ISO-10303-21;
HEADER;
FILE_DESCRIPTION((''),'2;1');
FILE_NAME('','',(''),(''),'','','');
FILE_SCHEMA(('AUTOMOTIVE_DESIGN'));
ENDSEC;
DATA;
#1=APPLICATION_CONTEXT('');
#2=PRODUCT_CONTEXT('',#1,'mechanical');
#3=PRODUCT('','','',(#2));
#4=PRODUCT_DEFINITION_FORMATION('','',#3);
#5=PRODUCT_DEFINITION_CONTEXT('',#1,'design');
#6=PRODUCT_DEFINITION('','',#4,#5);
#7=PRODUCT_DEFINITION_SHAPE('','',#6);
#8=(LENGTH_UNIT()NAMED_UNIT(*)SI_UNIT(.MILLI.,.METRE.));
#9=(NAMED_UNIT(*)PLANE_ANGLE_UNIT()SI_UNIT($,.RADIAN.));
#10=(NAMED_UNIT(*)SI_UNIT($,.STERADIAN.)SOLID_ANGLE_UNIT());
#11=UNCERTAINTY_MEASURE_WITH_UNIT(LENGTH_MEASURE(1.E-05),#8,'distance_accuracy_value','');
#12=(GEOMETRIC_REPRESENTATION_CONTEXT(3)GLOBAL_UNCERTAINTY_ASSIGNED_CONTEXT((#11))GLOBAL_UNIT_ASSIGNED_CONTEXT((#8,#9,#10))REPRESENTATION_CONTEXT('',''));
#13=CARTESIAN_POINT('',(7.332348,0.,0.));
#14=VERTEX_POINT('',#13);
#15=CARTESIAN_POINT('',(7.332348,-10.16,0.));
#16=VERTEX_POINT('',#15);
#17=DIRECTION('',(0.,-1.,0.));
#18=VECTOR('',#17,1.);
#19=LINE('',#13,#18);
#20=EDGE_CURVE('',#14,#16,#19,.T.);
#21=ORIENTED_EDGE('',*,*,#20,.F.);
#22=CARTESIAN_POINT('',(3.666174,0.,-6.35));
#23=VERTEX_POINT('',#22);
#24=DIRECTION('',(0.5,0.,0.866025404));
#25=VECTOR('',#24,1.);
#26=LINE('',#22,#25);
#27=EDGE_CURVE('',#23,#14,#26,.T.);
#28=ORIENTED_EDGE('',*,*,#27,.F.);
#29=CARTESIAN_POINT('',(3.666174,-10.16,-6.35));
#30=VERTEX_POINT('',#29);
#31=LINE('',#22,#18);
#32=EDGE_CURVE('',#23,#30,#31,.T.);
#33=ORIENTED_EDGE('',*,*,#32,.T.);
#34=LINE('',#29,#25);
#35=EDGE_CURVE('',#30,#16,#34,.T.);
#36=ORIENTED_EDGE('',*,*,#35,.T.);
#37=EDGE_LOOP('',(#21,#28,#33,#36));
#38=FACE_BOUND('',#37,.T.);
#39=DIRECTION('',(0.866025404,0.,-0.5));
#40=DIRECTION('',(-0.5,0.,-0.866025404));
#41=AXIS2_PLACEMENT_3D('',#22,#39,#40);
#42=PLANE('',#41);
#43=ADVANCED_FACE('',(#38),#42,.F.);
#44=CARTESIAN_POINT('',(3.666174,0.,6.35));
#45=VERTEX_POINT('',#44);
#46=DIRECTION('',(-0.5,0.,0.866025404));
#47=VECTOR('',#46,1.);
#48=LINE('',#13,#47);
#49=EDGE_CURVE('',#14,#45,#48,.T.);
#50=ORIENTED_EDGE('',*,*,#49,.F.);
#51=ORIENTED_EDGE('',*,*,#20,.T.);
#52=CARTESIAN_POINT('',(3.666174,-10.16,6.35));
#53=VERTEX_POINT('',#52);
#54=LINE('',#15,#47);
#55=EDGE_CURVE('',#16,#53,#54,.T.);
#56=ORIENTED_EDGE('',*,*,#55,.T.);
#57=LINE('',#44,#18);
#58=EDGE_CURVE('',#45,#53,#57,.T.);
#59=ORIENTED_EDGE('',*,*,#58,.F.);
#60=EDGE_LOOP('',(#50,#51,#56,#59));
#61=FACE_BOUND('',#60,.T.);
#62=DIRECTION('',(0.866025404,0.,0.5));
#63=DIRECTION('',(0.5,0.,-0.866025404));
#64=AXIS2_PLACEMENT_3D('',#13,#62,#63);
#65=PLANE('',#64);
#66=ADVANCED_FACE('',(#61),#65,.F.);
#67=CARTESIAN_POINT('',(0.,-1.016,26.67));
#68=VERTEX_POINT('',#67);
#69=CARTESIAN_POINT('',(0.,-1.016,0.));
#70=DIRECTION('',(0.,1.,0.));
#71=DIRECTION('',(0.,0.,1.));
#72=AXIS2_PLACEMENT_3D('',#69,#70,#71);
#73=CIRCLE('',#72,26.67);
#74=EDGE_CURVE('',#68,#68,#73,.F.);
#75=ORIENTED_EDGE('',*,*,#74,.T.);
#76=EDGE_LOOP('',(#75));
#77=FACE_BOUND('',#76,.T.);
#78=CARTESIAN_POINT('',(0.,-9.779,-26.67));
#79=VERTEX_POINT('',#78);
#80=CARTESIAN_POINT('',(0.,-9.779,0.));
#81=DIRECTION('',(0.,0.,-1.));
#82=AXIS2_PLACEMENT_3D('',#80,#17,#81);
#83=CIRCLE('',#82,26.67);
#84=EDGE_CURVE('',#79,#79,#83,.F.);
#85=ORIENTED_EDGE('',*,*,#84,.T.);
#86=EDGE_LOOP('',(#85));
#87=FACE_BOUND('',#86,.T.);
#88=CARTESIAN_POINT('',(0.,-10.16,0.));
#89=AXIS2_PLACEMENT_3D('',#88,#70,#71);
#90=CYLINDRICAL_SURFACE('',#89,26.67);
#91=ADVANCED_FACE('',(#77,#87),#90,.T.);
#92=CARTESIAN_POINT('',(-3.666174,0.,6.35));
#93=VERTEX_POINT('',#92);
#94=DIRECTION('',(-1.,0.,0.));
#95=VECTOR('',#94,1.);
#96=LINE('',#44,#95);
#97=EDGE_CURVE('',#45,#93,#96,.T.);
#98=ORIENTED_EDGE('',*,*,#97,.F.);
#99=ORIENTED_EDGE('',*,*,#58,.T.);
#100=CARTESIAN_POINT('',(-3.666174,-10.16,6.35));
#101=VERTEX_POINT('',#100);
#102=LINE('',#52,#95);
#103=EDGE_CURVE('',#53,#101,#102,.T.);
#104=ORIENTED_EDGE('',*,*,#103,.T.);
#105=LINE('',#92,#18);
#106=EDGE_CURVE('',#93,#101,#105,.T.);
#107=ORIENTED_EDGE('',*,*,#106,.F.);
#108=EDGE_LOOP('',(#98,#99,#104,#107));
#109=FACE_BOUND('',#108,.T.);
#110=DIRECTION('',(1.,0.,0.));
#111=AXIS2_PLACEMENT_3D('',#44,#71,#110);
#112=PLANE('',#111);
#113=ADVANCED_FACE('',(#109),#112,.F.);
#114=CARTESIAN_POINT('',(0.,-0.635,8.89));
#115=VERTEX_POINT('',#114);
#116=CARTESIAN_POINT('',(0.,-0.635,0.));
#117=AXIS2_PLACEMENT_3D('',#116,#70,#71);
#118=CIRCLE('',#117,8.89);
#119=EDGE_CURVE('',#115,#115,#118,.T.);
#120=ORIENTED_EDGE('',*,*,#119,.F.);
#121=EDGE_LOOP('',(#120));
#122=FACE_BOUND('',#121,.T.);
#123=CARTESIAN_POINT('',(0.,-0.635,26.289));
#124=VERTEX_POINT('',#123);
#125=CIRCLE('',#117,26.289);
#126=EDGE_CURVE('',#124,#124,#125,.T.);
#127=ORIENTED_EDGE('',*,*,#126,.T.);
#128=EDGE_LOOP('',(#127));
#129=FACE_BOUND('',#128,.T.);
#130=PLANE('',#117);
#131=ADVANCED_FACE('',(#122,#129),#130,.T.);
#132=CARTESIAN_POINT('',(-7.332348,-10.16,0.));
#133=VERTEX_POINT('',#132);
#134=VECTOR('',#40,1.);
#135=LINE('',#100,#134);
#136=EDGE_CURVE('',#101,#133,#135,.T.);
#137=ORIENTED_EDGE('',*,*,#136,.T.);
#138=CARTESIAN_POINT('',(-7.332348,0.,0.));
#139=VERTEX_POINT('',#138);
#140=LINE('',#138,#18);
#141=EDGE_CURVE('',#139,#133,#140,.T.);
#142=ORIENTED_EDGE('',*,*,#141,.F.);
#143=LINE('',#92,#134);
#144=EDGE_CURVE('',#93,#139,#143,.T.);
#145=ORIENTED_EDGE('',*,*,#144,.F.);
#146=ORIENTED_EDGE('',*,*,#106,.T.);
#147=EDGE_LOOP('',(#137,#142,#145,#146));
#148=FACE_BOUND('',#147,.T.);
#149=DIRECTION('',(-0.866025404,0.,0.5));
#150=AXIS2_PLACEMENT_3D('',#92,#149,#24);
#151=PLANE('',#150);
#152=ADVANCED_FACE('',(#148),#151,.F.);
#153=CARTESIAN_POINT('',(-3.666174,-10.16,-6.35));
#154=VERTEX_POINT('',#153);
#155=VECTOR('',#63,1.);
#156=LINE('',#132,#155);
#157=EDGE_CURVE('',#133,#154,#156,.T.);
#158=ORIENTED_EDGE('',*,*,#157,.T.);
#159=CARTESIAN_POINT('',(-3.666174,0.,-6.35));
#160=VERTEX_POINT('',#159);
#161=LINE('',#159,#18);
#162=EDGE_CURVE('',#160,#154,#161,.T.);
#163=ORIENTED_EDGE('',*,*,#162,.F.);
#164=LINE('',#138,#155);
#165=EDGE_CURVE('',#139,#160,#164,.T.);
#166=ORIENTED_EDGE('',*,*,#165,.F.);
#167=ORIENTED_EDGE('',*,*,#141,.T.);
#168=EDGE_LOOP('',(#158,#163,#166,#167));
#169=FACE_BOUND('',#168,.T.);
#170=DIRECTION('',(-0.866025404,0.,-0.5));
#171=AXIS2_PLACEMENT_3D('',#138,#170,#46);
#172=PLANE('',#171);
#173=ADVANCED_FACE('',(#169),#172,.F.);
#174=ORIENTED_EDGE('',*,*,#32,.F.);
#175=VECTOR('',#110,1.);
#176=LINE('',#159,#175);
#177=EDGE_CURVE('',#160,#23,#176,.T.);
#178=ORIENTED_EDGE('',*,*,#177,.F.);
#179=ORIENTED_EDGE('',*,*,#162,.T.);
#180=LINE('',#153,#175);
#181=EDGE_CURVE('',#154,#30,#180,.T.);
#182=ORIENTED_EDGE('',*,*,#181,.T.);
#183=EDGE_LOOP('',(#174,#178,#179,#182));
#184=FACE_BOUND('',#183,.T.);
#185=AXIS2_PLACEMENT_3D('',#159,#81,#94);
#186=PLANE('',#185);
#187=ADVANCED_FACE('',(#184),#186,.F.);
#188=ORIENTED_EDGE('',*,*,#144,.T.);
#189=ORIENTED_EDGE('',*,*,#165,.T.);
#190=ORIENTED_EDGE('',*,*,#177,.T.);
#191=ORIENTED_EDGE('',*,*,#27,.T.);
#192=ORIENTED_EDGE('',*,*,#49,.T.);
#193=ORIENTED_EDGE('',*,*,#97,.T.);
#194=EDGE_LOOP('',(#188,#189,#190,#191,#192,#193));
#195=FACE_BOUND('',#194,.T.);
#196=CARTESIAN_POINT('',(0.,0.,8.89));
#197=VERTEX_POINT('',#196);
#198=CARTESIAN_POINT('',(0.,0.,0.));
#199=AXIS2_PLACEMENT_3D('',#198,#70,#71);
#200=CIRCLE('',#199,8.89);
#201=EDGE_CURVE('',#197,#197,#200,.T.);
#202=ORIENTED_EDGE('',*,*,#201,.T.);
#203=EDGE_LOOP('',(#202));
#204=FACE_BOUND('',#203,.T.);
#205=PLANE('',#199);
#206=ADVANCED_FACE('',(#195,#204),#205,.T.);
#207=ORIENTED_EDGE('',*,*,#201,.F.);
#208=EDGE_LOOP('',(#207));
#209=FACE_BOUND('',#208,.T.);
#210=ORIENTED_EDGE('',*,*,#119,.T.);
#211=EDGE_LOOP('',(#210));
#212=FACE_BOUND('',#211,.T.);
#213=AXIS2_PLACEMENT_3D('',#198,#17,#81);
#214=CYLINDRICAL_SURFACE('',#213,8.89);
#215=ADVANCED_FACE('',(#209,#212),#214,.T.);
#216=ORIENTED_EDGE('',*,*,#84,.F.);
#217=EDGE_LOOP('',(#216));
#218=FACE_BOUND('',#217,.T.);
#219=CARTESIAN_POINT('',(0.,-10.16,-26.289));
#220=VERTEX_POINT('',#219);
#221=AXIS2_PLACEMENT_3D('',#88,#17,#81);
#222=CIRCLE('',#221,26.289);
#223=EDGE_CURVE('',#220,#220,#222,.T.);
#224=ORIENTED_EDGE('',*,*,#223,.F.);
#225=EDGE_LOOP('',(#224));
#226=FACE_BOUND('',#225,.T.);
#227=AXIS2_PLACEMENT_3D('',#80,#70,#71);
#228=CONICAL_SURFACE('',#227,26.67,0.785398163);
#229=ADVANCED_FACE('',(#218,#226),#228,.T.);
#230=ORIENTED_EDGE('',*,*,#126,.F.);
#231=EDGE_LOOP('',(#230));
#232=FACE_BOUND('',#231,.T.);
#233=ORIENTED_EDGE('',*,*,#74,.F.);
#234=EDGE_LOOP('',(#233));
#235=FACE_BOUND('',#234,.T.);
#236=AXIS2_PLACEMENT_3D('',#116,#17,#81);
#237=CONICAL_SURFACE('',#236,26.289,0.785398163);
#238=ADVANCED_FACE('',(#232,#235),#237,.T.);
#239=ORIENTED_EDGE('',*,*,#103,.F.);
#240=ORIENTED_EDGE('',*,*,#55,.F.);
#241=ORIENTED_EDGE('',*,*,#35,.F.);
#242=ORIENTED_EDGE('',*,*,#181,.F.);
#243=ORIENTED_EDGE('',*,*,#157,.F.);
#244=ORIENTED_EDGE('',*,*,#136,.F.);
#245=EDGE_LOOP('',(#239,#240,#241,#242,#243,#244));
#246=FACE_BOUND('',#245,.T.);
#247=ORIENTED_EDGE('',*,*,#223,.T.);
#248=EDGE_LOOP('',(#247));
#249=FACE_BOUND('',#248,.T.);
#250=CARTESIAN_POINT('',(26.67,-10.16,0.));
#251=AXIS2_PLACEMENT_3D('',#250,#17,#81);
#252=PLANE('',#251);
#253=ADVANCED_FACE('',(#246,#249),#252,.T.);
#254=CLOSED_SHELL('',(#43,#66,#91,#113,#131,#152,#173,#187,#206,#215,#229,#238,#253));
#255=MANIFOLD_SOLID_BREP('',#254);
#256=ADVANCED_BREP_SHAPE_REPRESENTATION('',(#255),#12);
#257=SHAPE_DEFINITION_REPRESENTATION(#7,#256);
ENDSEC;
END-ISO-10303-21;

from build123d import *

# Parameters (mm, degrees)
SKETCH1_W           = 26.67
SKETCH1_H           = 9.525
SKETCH2_R           = 8.89
BOSS_EXTRUDE1_DEPTH = 0.635
CUT_EXTRUDE1_DEPTH  = 11.16
CHAMFER1_SIZE       = 0.381


with BuildPart() as part:
    # Sketch1 → Revolve1 (revolve)
    with BuildSketch(Plane(origin=(0, 0, 0), x_dir=(-1, 0, 0), z_dir=(0, 0, -1))):
        with Locations((-13.335, -5.3975)):
            Rectangle(SKETCH1_W, SKETCH1_H)
    revolve(axis=Axis((0, -10.16, 0), (0, 1, 0)))

    # Sketch2 → Boss-Extrude1 (add)
    with BuildSketch(Plane(origin=(0, -0.635, 0), x_dir=(-1, 0, 0), z_dir=(0, 1, 0))):
        Circle(SKETCH2_R)
    extrude(amount=BOSS_EXTRUDE1_DEPTH)

    # Sketch3 → Cut-Extrude1 (cut, through all)
    with BuildSketch(Plane.XZ.offset(10.16)):
        Polygon((-7.332348419, 0), (-3.666174209, -6.35), (3.666174209, -6.35), (7.332348419, 0), (3.666174209, 6.35), (-3.666174209, 6.35), align=None)
    extrude(amount=-CUT_EXTRUDE1_DEPTH, mode=Mode.SUBTRACT)

    # Chamfer1
    chamfer1_edges = [part.edges().sort_by_distance(p)[0] for p in [
        (-26.67, -0.635, 0),
        (-26.67, -10.16, 0),
    ]]
    chamfer(chamfer1_edges, length=CHAMFER1_SIZE)


solid = part.part
